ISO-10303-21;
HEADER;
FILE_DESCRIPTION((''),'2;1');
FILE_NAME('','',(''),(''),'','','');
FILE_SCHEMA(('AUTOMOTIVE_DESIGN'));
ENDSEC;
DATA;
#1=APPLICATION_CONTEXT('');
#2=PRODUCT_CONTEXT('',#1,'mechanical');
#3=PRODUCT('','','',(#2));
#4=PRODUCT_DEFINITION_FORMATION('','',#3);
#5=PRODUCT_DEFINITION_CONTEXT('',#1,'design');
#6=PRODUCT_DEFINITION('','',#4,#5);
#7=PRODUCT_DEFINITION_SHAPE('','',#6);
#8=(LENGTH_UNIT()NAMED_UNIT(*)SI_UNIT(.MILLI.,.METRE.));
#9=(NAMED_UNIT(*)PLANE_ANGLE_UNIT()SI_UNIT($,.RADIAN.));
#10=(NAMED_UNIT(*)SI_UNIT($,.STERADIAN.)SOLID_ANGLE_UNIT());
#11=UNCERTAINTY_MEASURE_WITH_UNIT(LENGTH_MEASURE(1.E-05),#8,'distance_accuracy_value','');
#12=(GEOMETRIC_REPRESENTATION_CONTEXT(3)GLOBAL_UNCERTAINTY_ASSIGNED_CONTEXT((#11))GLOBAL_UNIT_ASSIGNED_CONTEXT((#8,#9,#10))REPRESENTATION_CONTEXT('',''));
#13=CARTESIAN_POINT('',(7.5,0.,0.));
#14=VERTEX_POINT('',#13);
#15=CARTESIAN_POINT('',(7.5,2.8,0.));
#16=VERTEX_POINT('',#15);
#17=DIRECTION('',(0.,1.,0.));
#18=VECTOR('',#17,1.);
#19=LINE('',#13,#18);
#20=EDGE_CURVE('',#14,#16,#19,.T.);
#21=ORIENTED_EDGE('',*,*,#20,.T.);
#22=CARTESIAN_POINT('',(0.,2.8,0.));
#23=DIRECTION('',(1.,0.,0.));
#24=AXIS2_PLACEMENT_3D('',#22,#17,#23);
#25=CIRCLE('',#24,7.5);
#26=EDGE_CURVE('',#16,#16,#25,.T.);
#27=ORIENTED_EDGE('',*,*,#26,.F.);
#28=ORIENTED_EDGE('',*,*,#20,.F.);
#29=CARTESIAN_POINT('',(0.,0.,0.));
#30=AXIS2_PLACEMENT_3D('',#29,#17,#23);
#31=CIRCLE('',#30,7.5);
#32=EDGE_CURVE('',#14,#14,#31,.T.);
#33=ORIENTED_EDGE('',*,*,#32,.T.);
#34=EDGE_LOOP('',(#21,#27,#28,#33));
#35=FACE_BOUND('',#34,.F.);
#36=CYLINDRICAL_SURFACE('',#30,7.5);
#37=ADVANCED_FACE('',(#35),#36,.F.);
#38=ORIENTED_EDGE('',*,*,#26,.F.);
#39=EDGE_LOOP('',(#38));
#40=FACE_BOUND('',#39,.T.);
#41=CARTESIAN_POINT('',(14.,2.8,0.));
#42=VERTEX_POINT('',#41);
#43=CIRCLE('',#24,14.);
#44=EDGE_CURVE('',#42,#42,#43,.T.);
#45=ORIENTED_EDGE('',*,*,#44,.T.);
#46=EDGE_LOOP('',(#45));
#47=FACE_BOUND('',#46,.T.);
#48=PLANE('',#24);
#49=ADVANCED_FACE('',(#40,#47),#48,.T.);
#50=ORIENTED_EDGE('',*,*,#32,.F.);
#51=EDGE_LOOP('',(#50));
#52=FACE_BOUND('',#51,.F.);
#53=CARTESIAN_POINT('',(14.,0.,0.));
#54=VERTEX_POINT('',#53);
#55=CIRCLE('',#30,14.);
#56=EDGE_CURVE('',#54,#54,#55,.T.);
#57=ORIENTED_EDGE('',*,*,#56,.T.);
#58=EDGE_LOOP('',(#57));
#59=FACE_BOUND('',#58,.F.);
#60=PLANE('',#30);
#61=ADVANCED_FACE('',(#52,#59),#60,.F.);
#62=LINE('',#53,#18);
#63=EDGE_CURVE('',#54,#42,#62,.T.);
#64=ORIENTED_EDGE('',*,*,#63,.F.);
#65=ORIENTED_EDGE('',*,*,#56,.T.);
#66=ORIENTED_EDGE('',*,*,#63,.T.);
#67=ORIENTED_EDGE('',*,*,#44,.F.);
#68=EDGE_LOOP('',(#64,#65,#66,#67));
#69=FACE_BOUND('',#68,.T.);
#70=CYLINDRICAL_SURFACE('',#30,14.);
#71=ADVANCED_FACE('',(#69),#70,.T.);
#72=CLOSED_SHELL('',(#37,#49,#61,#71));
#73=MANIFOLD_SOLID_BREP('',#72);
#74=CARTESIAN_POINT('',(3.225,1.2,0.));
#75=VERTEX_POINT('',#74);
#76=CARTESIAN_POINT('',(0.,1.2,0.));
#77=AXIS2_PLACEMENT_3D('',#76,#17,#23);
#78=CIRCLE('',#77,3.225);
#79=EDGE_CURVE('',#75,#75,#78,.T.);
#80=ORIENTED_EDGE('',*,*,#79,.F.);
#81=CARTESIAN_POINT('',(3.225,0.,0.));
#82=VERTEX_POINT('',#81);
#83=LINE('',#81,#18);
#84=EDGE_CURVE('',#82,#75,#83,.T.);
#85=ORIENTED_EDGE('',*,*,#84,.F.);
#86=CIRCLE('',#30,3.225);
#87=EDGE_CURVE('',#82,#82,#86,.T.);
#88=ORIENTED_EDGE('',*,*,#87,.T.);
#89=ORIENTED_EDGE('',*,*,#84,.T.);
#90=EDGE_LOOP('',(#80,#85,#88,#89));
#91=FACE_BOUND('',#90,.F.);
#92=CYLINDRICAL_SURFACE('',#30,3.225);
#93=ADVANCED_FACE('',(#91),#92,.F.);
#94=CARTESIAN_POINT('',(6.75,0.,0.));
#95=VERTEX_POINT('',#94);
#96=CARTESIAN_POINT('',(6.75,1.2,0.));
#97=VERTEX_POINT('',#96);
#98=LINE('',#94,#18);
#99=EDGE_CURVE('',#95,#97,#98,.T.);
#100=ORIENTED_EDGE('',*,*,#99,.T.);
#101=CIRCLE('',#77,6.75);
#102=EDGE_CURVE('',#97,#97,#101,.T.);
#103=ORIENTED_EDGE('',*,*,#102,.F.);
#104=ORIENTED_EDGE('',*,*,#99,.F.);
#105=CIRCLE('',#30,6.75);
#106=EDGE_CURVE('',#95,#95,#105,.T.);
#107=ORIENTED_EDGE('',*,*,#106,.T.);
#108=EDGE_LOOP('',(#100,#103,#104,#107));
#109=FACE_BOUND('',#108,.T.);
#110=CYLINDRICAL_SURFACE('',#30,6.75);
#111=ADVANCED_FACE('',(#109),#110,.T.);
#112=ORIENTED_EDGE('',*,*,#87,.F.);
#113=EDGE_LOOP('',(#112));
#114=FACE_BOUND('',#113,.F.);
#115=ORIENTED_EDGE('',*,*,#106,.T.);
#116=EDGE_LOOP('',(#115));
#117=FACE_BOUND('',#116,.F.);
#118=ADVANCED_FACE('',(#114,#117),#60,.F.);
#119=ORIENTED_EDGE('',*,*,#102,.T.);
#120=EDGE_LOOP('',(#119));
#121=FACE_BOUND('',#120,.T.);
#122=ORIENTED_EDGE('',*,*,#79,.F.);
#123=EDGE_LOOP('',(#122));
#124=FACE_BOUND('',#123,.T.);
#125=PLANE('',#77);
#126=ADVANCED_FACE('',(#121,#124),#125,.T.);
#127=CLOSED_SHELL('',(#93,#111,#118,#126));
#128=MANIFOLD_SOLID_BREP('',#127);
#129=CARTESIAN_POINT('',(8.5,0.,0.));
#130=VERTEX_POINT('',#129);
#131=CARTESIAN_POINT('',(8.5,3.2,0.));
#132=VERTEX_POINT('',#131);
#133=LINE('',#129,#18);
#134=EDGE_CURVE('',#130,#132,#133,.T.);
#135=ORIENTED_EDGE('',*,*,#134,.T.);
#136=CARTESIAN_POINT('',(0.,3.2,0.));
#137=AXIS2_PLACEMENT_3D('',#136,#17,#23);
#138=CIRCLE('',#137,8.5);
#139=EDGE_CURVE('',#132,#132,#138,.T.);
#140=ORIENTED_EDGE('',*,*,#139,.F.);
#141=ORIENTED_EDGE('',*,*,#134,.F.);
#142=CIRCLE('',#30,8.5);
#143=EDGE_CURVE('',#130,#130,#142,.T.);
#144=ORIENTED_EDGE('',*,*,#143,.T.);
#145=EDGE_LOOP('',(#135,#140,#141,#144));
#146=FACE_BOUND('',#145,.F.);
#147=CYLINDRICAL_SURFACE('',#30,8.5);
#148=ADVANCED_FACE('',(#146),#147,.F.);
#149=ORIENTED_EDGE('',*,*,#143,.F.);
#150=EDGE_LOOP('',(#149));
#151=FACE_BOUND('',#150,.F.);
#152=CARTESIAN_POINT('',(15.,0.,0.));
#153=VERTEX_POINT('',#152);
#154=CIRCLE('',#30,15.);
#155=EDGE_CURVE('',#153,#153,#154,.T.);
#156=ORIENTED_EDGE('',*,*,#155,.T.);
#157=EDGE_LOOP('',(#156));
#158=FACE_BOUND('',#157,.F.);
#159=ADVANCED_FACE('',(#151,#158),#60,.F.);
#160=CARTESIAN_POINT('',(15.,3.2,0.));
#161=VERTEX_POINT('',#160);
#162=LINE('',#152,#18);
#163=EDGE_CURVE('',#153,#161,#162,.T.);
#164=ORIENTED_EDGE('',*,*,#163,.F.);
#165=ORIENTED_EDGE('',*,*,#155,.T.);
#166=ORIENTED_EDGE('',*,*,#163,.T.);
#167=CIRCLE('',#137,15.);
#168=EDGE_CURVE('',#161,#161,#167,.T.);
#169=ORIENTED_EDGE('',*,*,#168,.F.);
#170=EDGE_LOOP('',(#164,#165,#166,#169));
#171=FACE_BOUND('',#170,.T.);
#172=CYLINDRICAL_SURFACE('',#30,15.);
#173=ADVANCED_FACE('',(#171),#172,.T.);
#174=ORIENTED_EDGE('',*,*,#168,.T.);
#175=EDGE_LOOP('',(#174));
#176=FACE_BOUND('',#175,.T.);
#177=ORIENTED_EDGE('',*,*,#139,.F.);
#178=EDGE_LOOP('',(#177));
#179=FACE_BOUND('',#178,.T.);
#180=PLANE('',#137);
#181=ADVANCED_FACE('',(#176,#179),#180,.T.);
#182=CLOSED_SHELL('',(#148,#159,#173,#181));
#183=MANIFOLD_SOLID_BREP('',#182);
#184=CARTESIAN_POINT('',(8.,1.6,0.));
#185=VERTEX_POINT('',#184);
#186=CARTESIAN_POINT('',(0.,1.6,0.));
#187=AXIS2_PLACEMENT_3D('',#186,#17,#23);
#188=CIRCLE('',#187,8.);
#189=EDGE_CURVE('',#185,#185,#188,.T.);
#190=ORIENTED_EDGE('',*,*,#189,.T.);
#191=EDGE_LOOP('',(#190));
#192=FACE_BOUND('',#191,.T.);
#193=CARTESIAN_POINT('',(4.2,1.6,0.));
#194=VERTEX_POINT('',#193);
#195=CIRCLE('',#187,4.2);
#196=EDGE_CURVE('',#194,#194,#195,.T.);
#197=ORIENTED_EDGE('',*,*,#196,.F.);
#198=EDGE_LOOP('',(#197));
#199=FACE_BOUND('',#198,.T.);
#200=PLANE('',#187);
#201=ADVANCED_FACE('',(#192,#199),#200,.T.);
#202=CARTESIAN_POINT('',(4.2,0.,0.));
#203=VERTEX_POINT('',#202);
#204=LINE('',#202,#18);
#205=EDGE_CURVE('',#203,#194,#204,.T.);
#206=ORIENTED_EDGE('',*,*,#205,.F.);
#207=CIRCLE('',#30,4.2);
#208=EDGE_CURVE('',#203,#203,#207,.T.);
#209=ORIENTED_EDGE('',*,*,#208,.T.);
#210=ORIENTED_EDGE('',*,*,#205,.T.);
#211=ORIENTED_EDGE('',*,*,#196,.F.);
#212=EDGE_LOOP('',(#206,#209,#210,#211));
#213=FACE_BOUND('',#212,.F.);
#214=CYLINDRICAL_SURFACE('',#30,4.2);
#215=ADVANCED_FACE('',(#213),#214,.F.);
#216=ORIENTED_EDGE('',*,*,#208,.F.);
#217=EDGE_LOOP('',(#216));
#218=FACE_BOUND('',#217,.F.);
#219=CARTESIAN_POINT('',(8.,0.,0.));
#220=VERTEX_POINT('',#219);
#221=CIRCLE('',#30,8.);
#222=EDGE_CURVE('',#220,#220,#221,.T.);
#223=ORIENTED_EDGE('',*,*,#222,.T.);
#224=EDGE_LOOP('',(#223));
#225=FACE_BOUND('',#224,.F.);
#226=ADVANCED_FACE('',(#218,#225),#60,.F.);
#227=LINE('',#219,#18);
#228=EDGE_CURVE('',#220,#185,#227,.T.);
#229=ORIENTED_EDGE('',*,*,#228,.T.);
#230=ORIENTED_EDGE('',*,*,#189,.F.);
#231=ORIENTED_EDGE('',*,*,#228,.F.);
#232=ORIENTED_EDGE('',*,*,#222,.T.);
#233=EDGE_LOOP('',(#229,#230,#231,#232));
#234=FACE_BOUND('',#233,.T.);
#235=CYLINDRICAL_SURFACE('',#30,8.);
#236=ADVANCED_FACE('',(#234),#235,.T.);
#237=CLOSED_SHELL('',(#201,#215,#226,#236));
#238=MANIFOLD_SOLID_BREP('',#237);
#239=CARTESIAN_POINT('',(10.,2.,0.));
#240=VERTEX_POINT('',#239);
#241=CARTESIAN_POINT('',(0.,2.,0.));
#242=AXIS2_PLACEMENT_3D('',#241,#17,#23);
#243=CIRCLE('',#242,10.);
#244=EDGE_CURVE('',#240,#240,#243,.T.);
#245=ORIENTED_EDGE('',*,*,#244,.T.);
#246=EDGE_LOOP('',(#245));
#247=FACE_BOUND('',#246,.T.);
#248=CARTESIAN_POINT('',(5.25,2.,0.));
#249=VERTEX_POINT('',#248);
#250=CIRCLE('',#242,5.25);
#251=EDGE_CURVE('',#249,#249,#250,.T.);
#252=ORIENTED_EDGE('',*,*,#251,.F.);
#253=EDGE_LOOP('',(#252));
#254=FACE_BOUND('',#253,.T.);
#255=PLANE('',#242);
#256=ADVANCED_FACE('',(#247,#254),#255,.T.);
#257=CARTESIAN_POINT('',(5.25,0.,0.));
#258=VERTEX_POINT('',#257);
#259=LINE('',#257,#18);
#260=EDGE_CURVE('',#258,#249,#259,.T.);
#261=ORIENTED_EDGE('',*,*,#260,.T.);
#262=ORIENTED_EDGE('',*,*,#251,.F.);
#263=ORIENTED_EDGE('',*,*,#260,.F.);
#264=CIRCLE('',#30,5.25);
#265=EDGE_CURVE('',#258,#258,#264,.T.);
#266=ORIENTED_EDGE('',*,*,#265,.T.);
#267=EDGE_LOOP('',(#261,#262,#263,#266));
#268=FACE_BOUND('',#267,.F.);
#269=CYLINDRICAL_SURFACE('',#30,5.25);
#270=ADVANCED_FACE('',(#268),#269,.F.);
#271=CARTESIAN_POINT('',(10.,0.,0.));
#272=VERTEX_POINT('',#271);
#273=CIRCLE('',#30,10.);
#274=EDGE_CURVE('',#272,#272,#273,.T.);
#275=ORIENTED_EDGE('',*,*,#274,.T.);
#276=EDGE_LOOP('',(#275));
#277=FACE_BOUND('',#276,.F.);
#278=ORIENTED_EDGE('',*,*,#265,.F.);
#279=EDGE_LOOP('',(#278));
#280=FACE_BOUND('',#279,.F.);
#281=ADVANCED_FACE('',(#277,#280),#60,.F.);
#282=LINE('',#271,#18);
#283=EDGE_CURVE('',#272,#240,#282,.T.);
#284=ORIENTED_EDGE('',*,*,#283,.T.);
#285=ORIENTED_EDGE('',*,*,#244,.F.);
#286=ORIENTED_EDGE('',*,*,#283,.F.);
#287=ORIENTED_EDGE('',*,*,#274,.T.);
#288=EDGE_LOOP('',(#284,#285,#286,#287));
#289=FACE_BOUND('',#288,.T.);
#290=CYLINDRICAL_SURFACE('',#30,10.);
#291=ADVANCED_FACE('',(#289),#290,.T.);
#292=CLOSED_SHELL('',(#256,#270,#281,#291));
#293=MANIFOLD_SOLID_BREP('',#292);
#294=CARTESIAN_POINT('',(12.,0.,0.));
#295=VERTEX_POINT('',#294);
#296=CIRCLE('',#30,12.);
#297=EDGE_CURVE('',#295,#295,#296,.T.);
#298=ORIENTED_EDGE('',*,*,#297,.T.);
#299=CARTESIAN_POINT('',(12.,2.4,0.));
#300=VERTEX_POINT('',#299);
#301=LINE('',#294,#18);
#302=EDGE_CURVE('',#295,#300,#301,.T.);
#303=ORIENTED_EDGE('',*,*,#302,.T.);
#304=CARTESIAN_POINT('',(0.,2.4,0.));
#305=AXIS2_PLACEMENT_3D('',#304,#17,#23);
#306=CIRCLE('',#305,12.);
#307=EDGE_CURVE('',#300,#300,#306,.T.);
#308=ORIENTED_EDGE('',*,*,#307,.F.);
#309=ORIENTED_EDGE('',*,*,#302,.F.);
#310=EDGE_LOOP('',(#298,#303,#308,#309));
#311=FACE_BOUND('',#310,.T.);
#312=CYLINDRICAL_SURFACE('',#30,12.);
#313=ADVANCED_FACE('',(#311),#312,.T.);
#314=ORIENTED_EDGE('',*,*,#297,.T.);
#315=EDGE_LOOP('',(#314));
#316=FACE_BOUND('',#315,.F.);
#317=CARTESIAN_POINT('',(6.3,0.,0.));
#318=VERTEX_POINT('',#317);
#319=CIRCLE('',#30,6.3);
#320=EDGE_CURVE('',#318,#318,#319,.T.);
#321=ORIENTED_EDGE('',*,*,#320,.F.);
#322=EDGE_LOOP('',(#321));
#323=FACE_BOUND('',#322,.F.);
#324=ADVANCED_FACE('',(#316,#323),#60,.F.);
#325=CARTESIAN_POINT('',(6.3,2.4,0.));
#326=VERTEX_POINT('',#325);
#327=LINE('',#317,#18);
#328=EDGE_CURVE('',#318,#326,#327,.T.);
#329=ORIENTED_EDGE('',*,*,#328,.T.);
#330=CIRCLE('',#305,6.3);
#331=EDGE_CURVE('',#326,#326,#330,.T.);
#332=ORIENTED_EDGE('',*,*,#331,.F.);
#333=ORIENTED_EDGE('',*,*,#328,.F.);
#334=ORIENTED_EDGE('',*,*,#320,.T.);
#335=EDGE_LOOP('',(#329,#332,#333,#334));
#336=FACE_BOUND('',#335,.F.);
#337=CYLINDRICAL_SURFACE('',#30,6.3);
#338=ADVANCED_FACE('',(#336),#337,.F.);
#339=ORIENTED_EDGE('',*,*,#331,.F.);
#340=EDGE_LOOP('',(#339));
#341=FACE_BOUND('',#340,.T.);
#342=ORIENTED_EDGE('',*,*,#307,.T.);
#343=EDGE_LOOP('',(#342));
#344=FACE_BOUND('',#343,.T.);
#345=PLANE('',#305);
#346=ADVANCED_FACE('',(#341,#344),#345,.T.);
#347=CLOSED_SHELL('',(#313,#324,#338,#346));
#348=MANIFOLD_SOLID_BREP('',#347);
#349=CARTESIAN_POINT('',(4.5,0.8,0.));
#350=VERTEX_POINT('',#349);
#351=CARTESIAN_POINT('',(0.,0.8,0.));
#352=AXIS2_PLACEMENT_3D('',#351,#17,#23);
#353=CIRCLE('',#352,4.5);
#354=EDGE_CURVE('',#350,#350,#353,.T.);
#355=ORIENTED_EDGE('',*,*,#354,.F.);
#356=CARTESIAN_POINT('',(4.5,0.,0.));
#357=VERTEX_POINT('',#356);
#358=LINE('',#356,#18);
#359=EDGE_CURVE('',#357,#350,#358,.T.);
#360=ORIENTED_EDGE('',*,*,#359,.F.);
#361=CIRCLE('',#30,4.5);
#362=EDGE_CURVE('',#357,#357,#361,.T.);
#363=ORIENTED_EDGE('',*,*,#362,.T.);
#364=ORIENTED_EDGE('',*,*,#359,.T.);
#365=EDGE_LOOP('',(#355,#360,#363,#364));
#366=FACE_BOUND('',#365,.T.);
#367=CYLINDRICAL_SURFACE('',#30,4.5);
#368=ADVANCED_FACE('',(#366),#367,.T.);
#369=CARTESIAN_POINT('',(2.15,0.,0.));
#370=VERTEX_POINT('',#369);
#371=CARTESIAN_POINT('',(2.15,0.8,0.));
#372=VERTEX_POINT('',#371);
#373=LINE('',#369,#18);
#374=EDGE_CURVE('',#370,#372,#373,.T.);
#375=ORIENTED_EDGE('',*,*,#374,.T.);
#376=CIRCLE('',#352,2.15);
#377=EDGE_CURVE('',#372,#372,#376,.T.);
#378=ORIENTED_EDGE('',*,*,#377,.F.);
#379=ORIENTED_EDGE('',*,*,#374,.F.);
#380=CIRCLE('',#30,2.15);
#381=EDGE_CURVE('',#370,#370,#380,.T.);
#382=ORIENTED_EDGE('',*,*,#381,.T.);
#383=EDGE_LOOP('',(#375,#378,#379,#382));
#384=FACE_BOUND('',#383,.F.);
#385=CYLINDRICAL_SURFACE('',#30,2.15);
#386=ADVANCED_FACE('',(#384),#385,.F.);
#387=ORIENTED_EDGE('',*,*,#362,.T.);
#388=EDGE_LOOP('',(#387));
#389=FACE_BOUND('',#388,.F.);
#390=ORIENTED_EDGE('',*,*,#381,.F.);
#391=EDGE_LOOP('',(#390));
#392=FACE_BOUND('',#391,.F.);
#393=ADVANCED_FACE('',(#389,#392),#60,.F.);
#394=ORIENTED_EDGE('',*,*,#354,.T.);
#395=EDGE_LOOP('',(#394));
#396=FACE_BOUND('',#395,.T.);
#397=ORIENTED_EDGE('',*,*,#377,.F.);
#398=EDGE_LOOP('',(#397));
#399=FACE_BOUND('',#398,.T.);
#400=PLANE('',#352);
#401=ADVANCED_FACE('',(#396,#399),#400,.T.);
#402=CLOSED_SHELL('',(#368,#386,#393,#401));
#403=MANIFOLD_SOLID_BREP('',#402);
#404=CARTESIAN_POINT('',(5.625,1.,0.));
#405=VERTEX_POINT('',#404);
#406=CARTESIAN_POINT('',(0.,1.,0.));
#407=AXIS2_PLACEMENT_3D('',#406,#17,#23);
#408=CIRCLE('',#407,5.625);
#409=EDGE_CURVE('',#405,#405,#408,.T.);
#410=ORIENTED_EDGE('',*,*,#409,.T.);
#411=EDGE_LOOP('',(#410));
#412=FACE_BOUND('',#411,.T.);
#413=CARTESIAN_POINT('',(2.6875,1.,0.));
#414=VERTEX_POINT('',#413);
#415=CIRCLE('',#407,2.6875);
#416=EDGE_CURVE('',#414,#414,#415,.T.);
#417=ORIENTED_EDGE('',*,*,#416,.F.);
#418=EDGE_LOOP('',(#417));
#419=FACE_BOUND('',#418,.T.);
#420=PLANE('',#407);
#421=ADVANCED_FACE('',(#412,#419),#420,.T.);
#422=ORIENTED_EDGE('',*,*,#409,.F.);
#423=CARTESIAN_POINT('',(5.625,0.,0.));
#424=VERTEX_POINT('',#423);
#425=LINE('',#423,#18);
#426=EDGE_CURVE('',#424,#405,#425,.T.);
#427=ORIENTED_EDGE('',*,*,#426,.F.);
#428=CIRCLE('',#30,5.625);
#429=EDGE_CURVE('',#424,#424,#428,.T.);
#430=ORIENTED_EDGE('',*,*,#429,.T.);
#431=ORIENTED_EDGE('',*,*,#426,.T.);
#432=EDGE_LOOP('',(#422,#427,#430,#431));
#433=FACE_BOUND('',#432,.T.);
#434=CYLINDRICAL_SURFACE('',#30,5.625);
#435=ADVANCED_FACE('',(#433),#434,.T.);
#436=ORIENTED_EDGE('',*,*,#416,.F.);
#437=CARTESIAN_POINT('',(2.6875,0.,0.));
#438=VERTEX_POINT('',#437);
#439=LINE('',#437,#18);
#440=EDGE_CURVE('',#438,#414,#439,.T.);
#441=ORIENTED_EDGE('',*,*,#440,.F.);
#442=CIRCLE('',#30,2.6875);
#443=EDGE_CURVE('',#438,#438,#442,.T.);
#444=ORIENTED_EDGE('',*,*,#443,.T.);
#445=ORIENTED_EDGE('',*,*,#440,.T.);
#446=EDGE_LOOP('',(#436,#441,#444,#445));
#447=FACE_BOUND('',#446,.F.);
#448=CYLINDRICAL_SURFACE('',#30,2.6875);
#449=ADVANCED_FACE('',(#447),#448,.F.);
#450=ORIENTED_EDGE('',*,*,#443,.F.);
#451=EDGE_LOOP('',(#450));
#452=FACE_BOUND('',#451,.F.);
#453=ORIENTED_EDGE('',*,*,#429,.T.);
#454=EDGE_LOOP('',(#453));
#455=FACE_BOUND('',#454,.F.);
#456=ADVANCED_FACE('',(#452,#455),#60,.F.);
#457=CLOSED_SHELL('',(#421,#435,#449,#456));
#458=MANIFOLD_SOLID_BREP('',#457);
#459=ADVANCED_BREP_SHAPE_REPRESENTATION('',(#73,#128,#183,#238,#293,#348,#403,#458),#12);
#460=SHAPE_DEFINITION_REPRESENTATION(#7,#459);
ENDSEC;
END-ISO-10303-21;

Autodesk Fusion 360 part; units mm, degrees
cylinder "Grundkörper Zylinder2" add diameter 9 height 0.8 placed x (1, 0, 0) y (0, 0, -1) z (0, 1, 0) at (0, 0, 0) makes body 1
cylinder "Grundkörper Zylinder3" cut diameter 4.3 height 1 placed x (1, 0, 0) y (0, 0, -1) z (0, 1, 0) at (0, 0, 0) bodies 1
copy_body "Körper kopieren/einfügen1" bodies 1 makes body 2
copy_body "Körper->Berechn1" bodies 1 removing the originals makes body 3 in component "M4"
scale "Maßstab1" factor 1.25 about (0, 0, 0) bodies 2
copy_body "Körper->Berechn2" bodies 2 removing the originals makes body 4 in component "M5"
copy_body "Körper kopieren/einfügen2" bodies 4 makes body 5
scale "Maßstab2" factor 1.2 about (0, 0, 0) bodies 5
copy_body "Körper->Berechn3" bodies 5 removing the originals makes body 6 in component "M6"
copy_body "Körper kopieren/einfügen4" bodies 3 makes body 7
scale "Maßstab3" factor 2 about (0, 0, 0) bodies 7
move_face "Flächen versetzen1" offset 0.1 1 faces at (4.2786, 1.0667, 0.4281) on bodies 7
move_face "Flächen versetzen2" offset -1 1 faces at (8.9553, 1.0667, 0.8961) on bodies 7
copy_body "Körper kopieren/einfügen5" bodies 7 makes body 8
copy_body "Körper kopieren/einfügen6" bodies 8 makes body 9
copy_body "Körper kopieren/einfügen7" bodies 9 makes body 10
copy_body "Körper kopieren/einfügen8" bodies 10 makes body 11
copy_body "Körper->Berechn4" bodies 7 removing the originals makes body 12 in component "M8"
scale "Maßstab4" factor 1.25 about (0, 0, 0) bodies 8
copy_body "Körper->Berechn5" bodies 8 removing the originals makes body 13 in component "M10"
scale "Maßstab5" factor 1.5 about (0, 0, 0) bodies 9
copy_body "Körper->Berechn6" bodies 9 removing the originals makes body 14 in component "M12"
scale "Maßstab6" factor 1.75 about (0, 0, 0) bodies 10
move_face "Flächen versetzen3" offset -0.15 1 faces at (7.3135, 1.8667, 0.7318) on bodies 10
copy_body "Körper->Berechn7" bodies 10 removing the originals makes body 15 in component "M14"
scale "Maßstab7" factor 2 about (0, 0, 0) bodies 11
move_face "Flächen versetzen4" offset -0.1 1 faces at (8.3583, 2.1333, 0.8364) on bodies 11
move_face "Flächen versetzen5" offset -1 1 faces at (15.9205, 2.1333, 1.5931) on bodies 11
copy_body "Körper->Berechn8" bodies 11 removing the originals makes body 16 in component "M16"
component "M4" placed x (1, 0, 0) y (0, 1, 0) z (0, 0, 1) at (0, 0, 0)
component "M5" placed x (1, 0, 0) y (0, 1, 0) z (0, 0, 1) at (0, 0, 0)
component "M6" placed x (1, 0, 0) y (0, 1, 0) z (0, 0, 1) at (0, 0, 0)
component "M8" placed x (1, 0, 0) y (0, 1, 0) z (0, 0, 1) at (0, 0, 0)
component "M10" placed x (1, 0, 0) y (0, 1, 0) z (0, 0, 1) at (0, 0, 0)
component "M12" placed x (1, 0, 0) y (0, 1, 0) z (0, 0, 1) at (0, 0, 0)
component "M14" placed x (1, 0, 0) y (0, 1, 0) z (0, 0, 1) at (0, 0, 0)
component "M16" placed x (1, 0, 0) y (0, 1, 0) z (0, 0, 1) at (0, 0, 0)
